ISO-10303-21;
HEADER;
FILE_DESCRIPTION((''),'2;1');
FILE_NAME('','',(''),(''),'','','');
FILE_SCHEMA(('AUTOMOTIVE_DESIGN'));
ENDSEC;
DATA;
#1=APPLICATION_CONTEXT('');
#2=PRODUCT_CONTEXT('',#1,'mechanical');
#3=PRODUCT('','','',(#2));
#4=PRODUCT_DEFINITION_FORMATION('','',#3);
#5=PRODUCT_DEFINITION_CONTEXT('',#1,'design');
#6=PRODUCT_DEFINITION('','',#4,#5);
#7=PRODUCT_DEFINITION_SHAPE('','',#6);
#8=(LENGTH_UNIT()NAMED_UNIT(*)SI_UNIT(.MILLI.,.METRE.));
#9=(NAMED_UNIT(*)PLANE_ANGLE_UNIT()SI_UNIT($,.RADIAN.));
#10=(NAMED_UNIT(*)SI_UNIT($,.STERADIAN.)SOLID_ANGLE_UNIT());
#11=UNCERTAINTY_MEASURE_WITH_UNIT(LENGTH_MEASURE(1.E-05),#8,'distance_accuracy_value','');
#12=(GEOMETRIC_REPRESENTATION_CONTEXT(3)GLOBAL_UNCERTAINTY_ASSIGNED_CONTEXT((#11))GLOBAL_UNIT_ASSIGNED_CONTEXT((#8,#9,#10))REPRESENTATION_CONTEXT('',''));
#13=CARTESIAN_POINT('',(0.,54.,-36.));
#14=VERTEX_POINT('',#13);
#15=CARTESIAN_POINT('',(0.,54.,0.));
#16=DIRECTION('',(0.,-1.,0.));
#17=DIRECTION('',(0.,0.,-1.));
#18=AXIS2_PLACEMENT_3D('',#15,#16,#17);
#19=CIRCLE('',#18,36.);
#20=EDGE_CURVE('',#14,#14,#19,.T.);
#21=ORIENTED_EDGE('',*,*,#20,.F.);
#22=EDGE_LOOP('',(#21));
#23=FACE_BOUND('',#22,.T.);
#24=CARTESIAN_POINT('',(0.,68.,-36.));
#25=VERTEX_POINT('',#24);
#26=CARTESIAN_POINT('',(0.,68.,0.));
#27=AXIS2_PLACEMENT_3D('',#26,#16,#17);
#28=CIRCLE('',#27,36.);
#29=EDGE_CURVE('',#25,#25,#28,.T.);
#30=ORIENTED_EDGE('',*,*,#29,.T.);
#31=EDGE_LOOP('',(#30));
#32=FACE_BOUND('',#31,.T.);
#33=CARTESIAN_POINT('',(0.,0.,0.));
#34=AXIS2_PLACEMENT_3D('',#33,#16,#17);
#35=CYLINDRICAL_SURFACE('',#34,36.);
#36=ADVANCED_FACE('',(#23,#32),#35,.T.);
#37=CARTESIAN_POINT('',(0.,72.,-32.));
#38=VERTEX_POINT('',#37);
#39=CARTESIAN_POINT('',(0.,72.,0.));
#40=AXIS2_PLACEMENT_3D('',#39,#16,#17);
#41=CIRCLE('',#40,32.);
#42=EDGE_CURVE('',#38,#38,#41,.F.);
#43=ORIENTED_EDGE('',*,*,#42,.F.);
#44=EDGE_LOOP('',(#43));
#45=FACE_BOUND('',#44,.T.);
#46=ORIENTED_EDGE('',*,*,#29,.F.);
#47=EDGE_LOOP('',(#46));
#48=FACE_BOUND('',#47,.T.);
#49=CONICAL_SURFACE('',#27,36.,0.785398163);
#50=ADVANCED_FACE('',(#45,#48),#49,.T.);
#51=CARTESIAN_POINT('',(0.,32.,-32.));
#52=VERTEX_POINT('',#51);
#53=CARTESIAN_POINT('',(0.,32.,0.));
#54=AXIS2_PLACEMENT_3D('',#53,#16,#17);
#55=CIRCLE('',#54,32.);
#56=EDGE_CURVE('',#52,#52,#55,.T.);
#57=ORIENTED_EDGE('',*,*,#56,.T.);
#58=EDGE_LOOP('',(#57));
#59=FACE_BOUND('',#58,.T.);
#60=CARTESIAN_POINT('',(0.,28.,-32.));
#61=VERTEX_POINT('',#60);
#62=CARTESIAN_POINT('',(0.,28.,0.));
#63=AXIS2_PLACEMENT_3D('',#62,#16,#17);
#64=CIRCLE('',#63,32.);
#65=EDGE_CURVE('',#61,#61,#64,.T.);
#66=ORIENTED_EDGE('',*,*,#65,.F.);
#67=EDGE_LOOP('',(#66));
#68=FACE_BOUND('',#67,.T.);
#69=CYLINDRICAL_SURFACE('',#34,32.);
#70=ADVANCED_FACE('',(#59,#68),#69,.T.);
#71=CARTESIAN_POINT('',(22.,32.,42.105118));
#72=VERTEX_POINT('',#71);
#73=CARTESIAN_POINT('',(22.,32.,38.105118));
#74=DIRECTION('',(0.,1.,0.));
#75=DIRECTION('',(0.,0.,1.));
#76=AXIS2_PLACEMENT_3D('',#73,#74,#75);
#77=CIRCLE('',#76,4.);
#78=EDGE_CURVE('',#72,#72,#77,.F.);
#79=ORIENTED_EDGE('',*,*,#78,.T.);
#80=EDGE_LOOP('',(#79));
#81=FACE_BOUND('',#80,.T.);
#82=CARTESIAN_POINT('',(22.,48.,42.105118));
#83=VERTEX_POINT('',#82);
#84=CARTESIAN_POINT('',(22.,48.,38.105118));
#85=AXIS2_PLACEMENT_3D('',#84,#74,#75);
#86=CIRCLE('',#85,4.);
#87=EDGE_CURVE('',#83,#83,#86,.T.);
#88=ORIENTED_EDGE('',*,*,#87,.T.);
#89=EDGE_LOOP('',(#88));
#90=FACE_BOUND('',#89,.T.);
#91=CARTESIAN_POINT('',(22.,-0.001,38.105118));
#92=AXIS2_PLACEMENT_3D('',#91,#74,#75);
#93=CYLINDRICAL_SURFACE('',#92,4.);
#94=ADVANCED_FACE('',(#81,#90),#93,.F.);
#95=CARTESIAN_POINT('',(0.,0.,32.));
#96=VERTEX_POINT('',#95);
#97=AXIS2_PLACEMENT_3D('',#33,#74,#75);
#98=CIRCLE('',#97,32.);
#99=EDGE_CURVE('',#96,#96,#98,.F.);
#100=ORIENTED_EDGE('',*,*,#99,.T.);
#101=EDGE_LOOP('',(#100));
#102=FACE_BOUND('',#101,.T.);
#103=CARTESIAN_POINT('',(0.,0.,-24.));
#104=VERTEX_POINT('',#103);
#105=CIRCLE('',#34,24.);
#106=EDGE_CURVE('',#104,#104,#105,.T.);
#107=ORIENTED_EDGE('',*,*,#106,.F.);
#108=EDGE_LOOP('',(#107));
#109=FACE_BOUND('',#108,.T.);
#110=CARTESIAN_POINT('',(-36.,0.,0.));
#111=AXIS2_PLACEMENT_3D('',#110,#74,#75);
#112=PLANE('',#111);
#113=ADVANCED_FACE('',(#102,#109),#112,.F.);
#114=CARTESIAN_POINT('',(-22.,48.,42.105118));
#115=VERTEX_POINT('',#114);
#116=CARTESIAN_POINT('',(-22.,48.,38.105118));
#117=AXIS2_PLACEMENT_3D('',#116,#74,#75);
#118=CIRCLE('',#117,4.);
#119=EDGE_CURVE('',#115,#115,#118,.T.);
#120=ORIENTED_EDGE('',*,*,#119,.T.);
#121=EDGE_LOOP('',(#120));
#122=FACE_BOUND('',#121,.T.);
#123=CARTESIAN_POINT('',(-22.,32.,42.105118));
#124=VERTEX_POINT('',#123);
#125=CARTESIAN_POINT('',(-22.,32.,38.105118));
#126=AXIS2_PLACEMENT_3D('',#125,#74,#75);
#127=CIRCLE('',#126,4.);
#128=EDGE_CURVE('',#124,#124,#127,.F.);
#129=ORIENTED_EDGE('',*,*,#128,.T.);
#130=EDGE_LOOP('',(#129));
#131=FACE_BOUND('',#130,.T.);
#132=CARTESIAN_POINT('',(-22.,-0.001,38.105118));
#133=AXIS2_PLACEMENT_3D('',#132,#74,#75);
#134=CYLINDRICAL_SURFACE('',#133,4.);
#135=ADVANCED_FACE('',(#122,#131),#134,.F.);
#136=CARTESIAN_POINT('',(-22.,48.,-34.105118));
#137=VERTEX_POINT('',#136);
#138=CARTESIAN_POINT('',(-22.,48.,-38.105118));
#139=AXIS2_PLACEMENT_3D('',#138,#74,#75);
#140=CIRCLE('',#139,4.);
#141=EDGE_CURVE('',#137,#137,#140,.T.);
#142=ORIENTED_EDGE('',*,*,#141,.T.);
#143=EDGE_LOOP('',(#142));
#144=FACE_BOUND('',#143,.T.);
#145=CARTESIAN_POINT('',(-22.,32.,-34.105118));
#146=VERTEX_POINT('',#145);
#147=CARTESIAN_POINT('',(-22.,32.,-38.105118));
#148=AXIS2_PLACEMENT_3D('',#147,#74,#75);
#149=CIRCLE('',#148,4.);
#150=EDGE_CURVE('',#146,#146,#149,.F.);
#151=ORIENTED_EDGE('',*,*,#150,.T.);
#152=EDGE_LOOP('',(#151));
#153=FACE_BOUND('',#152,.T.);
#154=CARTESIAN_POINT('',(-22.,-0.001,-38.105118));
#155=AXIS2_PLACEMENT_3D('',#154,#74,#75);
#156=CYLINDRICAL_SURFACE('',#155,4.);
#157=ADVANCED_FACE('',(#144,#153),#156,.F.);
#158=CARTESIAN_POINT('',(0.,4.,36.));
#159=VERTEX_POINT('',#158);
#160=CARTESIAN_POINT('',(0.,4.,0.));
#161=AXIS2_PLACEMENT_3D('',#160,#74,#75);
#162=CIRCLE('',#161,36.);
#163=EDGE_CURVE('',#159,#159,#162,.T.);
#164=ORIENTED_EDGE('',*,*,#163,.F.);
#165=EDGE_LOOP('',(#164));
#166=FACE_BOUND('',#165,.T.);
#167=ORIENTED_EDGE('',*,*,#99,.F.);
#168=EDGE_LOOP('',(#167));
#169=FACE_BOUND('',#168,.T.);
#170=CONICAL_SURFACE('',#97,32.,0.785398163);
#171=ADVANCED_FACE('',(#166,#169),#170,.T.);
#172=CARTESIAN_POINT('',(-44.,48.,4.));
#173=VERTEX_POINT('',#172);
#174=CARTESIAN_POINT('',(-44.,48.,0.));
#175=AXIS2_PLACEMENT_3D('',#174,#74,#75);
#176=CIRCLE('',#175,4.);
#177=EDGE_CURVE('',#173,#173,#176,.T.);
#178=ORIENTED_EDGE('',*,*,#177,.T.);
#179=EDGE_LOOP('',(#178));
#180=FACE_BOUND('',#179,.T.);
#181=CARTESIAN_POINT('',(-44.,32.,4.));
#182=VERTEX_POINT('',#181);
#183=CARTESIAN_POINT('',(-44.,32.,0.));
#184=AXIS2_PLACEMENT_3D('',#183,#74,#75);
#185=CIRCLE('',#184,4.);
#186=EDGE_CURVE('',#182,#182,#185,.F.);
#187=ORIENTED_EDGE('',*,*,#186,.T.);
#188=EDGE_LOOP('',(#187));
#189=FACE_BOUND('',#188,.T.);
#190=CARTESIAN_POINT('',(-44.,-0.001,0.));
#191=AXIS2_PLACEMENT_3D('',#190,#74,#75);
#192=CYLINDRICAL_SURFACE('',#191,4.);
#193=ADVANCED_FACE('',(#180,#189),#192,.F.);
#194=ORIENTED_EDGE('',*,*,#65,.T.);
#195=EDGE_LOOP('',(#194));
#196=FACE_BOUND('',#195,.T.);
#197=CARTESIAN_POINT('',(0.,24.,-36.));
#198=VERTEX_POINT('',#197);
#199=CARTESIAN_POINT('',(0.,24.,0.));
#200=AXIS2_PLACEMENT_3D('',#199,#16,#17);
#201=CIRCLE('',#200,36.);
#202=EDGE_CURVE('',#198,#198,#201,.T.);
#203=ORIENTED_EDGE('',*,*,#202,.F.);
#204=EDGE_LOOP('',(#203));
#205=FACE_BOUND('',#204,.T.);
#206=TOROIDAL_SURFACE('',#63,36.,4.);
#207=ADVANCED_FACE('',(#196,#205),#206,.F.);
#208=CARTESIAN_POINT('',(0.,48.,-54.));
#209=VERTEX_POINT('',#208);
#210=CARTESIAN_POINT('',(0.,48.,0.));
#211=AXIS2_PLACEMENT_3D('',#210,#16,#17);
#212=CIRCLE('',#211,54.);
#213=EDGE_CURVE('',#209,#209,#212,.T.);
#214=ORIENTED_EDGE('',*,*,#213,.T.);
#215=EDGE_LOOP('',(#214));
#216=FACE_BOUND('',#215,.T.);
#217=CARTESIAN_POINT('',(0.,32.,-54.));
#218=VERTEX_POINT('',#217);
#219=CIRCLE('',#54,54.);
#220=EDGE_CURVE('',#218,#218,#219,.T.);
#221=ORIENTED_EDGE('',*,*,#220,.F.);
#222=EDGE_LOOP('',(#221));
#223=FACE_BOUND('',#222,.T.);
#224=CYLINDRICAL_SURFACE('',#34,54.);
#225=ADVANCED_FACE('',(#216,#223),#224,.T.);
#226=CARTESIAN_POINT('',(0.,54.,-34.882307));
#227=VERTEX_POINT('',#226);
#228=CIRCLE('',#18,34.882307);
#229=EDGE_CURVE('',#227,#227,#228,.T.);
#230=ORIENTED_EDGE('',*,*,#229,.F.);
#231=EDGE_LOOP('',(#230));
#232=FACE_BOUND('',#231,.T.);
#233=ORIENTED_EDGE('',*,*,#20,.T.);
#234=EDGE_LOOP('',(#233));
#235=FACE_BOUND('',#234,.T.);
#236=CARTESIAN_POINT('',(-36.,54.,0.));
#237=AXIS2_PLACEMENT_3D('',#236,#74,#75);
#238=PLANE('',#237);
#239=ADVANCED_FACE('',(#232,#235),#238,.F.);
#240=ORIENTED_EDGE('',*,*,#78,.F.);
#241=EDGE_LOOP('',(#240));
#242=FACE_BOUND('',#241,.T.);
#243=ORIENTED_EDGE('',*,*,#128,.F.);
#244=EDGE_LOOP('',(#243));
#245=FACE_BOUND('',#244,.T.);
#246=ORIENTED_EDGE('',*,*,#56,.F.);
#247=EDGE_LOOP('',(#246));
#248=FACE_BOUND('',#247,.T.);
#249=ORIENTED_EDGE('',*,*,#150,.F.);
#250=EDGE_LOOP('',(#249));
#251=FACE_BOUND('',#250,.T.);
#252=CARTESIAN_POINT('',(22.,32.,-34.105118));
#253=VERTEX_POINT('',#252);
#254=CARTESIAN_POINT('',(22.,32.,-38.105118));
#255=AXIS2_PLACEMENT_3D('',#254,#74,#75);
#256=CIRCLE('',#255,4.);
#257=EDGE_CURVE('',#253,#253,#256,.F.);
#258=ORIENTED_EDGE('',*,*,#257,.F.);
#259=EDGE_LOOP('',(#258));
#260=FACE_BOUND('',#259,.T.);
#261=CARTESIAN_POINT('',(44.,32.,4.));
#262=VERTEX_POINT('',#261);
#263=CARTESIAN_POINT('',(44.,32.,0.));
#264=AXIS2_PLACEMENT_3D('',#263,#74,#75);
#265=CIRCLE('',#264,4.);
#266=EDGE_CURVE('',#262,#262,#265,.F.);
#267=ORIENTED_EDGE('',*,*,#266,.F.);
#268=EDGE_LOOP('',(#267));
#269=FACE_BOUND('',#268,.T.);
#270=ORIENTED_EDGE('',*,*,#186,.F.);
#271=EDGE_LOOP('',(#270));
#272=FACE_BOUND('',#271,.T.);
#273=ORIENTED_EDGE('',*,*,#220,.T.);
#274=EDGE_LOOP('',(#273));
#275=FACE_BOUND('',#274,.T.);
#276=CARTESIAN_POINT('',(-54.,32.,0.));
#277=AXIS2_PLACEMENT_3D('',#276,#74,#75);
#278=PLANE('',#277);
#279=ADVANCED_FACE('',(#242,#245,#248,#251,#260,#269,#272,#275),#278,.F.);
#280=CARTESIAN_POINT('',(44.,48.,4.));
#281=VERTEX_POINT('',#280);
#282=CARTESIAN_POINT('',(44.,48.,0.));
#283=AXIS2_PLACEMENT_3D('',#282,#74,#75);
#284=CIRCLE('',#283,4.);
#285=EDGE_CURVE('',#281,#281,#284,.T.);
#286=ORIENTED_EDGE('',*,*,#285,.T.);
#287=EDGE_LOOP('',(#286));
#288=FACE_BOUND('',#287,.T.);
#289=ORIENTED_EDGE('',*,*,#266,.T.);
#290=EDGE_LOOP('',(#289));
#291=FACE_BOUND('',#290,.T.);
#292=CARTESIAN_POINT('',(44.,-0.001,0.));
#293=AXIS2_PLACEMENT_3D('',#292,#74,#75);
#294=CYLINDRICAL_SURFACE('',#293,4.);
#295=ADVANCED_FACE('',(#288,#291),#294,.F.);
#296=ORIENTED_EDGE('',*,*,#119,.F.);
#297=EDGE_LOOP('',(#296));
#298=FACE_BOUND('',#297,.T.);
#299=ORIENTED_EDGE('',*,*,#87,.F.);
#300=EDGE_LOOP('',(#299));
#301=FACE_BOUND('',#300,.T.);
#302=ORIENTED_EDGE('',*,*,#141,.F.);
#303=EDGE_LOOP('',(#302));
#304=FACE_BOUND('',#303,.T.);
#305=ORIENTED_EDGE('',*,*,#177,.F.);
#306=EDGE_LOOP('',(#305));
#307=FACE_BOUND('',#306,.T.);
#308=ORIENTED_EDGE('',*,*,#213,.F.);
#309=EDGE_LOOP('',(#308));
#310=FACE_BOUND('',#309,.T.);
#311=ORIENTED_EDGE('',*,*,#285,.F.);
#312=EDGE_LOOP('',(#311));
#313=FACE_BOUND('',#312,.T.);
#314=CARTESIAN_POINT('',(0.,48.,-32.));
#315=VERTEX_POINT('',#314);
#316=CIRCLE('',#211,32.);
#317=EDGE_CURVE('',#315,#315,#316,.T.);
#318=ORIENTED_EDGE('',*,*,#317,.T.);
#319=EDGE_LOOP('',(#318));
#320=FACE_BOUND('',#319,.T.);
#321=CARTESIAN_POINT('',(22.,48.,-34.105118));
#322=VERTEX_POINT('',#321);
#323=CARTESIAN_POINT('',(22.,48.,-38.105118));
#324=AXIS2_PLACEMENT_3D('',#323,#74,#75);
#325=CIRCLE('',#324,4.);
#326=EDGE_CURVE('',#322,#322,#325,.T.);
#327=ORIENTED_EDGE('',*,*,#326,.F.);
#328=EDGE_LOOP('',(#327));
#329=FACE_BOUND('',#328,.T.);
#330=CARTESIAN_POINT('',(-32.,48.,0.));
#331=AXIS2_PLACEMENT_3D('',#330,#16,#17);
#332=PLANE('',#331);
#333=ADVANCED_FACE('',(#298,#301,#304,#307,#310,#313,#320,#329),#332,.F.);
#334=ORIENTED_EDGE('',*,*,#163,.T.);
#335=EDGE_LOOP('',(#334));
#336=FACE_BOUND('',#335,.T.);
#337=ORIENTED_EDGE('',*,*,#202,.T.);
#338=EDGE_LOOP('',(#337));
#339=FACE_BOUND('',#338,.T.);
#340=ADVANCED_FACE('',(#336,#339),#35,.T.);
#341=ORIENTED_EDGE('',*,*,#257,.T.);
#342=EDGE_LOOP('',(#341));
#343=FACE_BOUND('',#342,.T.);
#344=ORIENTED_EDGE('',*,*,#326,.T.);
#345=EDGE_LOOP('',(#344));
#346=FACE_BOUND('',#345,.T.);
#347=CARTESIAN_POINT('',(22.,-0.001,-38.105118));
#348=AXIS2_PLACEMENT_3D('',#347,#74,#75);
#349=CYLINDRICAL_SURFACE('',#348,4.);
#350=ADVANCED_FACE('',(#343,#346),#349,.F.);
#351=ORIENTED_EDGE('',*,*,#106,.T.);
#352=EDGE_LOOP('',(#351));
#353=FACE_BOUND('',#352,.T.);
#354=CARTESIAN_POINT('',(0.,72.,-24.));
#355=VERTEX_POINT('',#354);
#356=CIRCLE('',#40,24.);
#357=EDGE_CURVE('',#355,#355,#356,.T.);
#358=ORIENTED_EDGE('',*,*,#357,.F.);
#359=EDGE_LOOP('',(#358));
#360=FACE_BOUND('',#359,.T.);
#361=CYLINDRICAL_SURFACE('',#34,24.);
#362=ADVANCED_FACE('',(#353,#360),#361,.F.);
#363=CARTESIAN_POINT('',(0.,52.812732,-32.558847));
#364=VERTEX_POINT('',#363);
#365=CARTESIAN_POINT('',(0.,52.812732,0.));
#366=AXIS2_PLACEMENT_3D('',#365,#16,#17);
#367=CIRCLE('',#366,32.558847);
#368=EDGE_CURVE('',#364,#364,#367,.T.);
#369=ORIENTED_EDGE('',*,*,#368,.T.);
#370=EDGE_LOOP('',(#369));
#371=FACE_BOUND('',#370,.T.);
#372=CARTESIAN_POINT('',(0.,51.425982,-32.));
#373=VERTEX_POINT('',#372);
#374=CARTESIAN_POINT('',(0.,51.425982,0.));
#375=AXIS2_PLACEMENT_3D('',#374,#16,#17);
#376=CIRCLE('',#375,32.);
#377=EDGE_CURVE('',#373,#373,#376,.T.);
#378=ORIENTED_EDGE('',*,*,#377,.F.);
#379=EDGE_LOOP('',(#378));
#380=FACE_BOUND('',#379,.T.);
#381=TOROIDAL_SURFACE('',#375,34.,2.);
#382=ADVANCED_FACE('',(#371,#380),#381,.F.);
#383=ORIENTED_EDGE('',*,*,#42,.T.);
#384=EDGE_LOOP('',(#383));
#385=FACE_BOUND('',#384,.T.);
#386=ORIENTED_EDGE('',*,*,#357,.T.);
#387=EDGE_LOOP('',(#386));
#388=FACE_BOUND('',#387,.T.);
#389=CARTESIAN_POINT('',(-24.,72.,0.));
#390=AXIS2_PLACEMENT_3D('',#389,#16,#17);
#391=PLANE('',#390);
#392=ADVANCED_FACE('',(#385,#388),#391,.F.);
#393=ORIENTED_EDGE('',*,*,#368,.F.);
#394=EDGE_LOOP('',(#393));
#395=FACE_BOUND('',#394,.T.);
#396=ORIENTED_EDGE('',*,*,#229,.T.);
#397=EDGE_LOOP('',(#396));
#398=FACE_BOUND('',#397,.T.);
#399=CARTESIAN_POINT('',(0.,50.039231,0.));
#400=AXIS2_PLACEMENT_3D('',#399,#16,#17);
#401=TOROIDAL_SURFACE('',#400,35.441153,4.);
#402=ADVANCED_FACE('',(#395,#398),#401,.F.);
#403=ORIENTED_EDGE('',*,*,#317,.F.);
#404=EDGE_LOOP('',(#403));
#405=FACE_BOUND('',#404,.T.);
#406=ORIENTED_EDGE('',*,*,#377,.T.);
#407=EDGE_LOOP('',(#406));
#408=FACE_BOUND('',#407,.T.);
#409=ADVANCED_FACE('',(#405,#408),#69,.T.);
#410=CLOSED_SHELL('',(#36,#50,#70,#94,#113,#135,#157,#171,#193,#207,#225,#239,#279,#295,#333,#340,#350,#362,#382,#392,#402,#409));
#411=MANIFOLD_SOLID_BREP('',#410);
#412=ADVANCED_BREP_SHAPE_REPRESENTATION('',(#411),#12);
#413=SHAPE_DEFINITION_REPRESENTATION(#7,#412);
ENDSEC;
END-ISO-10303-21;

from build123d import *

# Parameters (mm, degrees)
CHAMFER4_SIZE      = 4
CUT_EXTRUDE1_REACH = 92.2
SKETCH3_R          = 4


with BuildPart() as part:
    # Sketch2 → Revolve2 (revolve)
    with BuildSketch(Plane.XY, mode=Mode.PRIVATE) as revolve2_sk:
        with BuildLine():
            Line((-24, 0), (-24, 72))
            Line((-24, 72), (-36, 72))
            Line((-36, 72), (-36, 54))
            Line((-36, 54), (-34.882306768, 54))
            ThreePointArc((-34.882306768, 54), (-33.621047496, 53.601142721), (-32.558846616, 52.812732058))
            ThreePointArc((-32.558846616, 52.812732058), (-32.144965395, 52.173542011), (-32, 51.425981568))
            Line((-32, 51.425981568), (-32, 48))
            Line((-32, 48), (-54, 48))
            Line((-54, 48), (-54, 32))
            Line((-54, 32), (-32, 32))
            Line((-32, 32), (-32, 28))
            ThreePointArc((-32, 28), (-33.171572875, 25.171572875), (-36, 24))
            Line((-36, 24), (-36, 0))
            Line((-36, 0), (-24, 0))
        make_face()
    revolve(revolve2_sk.sketch.rotate(Axis((0, 0, 0), (0, 1, 0)), 270), axis=Axis((0, 0, 0), (0, 1, 0)))

    # Chamfer4
    chamfer4_edges = [part.edges().sort_by_distance(p)[0] for p in [
        (0, 0, 36),
        (0, 72, 36),
    ]]
    chamfer(chamfer4_edges, length=CHAMFER4_SIZE)

    # Sketch3 → Cut-Extrude1 (cut, up to next)
    with BuildSketch(Plane(origin=(0, 48, 0), x_dir=(1, 0, 0), z_dir=(0, 1, 0)), mode=Mode.PRIVATE) as cut_extrude1_sk1:
        with Locations(Location((44, 0, 0), (0, 0, 270))):
            Circle(SKETCH3_R)
    cut_extrude1_tool1 = extrude(cut_extrude1_sk1.sketch, amount=-CUT_EXTRUDE1_REACH, mode=Mode.PRIVATE) & part.part
    # Sketch3 → Cut-Extrude1 (cut, up to next)
    with BuildSketch(Plane(origin=(0, 48, 0), x_dir=(1, 0, 0), z_dir=(0, 1, 0)), mode=Mode.PRIVATE) as cut_extrude1_sk2:
        with Locations(Location((22, -38.105117767, 0), (0, 0, 270))):
            Circle(SKETCH3_R)
    cut_extrude1_tool2 = extrude(cut_extrude1_sk2.sketch, amount=-CUT_EXTRUDE1_REACH, mode=Mode.PRIVATE) & part.part
    # Sketch3 → Cut-Extrude1 (cut, up to next)
    with BuildSketch(Plane(origin=(0, 48, 0), x_dir=(1, 0, 0), z_dir=(0, 1, 0)), mode=Mode.PRIVATE) as cut_extrude1_sk3:
        with Locations(Location((-22, -38.105117767, 0), (0, 0, 270))):
            Circle(SKETCH3_R)
    cut_extrude1_tool3 = extrude(cut_extrude1_sk3.sketch, amount=-CUT_EXTRUDE1_REACH, mode=Mode.PRIVATE) & part.part
    # Sketch3 → Cut-Extrude1 (cut, up to next)
    with BuildSketch(Plane(origin=(0, 48, 0), x_dir=(1, 0, 0), z_dir=(0, 1, 0)), mode=Mode.PRIVATE) as cut_extrude1_sk4:
        with Locations(Location((-44, 0, 0), (0, 0, 270))):
            Circle(SKETCH3_R)
    cut_extrude1_tool4 = extrude(cut_extrude1_sk4.sketch, amount=-CUT_EXTRUDE1_REACH, mode=Mode.PRIVATE) & part.part
    # Sketch3 → Cut-Extrude1 (cut, up to next)
    with BuildSketch(Plane(origin=(0, 48, 0), x_dir=(1, 0, 0), z_dir=(0, 1, 0)), mode=Mode.PRIVATE) as cut_extrude1_sk5:
        with Locations(Location((-22, 38.105117767, 0), (0, 0, 270))):
            Circle(SKETCH3_R)
    cut_extrude1_tool5 = extrude(cut_extrude1_sk5.sketch, amount=-CUT_EXTRUDE1_REACH, mode=Mode.PRIVATE) & part.part
    # Sketch3 → Cut-Extrude1 (cut, up to next)
    with BuildSketch(Plane(origin=(0, 48, 0), x_dir=(1, 0, 0), z_dir=(0, 1, 0)), mode=Mode.PRIVATE) as cut_extrude1_sk6:
        with Locations(Location((22, 38.105117767, 0), (0, 0, 270))):
            Circle(SKETCH3_R)
    cut_extrude1_tool6 = extrude(cut_extrude1_sk6.sketch, amount=-CUT_EXTRUDE1_REACH, mode=Mode.PRIVATE) & part.part
    add(cut_extrude1_tool1.solids().sort_by_distance((44, 48, 0))[0], mode=Mode.SUBTRACT)
    add(cut_extrude1_tool2.solids().sort_by_distance((22, 48, 38.105118))[0], mode=Mode.SUBTRACT)
    add(cut_extrude1_tool3.solids().sort_by_distance((-22, 48, 38.105118))[0], mode=Mode.SUBTRACT)
    add(cut_extrude1_tool4.solids().sort_by_distance((-44, 48, 0))[0], mode=Mode.SUBTRACT)
    add(cut_extrude1_tool5.solids().sort_by_distance((-22, 48, -38.105118))[0], mode=Mode.SUBTRACT)
    add(cut_extrude1_tool6.solids().sort_by_distance((22, 48, -38.105118))[0], mode=Mode.SUBTRACT)


solid = part.part
